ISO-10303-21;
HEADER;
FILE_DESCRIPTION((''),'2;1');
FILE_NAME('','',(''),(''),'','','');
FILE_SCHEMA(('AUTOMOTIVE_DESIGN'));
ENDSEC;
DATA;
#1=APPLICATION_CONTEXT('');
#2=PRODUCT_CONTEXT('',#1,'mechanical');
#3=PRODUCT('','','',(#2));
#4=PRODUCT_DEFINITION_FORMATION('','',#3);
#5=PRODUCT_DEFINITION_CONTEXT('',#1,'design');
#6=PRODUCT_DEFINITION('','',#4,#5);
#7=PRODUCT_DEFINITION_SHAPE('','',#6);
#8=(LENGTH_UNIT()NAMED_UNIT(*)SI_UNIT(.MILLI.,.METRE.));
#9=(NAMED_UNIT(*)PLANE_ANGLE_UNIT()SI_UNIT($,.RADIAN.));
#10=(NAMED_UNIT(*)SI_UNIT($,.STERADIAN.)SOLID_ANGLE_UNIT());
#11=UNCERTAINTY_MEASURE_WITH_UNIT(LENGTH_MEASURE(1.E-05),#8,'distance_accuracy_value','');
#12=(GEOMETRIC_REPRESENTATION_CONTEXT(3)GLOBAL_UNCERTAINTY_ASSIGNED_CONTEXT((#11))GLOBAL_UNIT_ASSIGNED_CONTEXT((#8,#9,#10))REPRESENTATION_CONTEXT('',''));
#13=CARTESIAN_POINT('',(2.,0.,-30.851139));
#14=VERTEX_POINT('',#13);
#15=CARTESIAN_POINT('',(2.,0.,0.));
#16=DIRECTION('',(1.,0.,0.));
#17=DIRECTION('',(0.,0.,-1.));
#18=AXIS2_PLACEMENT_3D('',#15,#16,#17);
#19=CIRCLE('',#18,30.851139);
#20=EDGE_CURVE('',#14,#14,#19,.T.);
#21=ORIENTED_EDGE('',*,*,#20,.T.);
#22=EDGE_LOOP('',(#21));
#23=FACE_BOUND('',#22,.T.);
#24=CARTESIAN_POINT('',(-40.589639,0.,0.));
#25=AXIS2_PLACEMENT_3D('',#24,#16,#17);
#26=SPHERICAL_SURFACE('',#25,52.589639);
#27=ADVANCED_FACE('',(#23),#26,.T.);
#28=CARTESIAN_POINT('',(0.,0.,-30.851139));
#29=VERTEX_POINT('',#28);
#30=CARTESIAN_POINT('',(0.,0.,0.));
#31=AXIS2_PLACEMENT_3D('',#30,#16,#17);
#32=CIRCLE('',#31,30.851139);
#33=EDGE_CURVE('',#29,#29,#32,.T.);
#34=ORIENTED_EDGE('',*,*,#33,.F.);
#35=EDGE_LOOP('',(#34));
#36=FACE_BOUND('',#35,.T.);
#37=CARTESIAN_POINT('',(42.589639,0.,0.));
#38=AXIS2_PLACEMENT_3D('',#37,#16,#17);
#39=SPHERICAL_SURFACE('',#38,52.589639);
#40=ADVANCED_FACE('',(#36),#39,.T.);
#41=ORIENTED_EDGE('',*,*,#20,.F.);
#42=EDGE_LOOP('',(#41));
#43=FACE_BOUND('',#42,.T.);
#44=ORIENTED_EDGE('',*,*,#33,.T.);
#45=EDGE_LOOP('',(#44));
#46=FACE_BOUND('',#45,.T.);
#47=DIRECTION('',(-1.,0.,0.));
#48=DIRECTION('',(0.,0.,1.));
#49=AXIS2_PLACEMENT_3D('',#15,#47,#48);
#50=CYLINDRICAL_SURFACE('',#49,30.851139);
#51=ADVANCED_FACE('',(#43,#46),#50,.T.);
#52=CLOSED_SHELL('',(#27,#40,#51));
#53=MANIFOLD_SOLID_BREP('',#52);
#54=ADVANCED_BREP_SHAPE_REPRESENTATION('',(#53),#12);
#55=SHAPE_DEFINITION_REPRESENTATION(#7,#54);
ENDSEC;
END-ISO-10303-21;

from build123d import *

# Parameters (mm, degrees)
SKETCH1_R           = 30.851139148
BOSS_EXTRUDE1_DEPTH = 2
DOME1_FACE_RADIUS   = 30.851139148
DOME1_HEIGHT        = 10
DOME2_FACE_RADIUS   = 30.851139148
DOME2_HEIGHT        = 10


with BuildPart() as part:
    # Sketch1 → Boss-Extrude1 (new body)
    with BuildSketch(Plane(origin=(0, 0, 0), x_dir=(0, 0, -1), z_dir=(1, 0, 0))):
        Circle(SKETCH1_R)
    extrude(amount=BOSS_EXTRUDE1_DEPTH)

    # Dome1: a dome of height H over a round flat face of radius A is a cap of a sphere of radius (A * A + H * H) / (2 * H)
    dome1_r = (DOME1_FACE_RADIUS * DOME1_FACE_RADIUS + DOME1_HEIGHT * DOME1_HEIGHT) / (2 * DOME1_HEIGHT)
    dome1_base = Plane((2, 0, 0), z_dir=(1, 0, 0))
    with Locations(dome1_base.offset(DOME1_HEIGHT - dome1_r)):
        dome1_ball = Sphere(dome1_r, mode=Mode.PRIVATE)
    add(split(dome1_ball, bisect_by=dome1_base, keep=Keep.TOP, mode=Mode.PRIVATE))

    # Dome2: a dome of height H over a round flat face of radius A is a cap of a sphere of radius (A * A + H * H) / (2 * H)
    dome2_r = (DOME2_FACE_RADIUS * DOME2_FACE_RADIUS + DOME2_HEIGHT * DOME2_HEIGHT) / (2 * DOME2_HEIGHT)
    dome2_base = Plane((0, 0, 0), z_dir=(-1, 0, 0))
    with Locations(dome2_base.offset(DOME2_HEIGHT - dome2_r)):
        dome2_ball = Sphere(dome2_r, mode=Mode.PRIVATE)
    add(split(dome2_ball, bisect_by=dome2_base, keep=Keep.TOP, mode=Mode.PRIVATE))


solid = part.part
